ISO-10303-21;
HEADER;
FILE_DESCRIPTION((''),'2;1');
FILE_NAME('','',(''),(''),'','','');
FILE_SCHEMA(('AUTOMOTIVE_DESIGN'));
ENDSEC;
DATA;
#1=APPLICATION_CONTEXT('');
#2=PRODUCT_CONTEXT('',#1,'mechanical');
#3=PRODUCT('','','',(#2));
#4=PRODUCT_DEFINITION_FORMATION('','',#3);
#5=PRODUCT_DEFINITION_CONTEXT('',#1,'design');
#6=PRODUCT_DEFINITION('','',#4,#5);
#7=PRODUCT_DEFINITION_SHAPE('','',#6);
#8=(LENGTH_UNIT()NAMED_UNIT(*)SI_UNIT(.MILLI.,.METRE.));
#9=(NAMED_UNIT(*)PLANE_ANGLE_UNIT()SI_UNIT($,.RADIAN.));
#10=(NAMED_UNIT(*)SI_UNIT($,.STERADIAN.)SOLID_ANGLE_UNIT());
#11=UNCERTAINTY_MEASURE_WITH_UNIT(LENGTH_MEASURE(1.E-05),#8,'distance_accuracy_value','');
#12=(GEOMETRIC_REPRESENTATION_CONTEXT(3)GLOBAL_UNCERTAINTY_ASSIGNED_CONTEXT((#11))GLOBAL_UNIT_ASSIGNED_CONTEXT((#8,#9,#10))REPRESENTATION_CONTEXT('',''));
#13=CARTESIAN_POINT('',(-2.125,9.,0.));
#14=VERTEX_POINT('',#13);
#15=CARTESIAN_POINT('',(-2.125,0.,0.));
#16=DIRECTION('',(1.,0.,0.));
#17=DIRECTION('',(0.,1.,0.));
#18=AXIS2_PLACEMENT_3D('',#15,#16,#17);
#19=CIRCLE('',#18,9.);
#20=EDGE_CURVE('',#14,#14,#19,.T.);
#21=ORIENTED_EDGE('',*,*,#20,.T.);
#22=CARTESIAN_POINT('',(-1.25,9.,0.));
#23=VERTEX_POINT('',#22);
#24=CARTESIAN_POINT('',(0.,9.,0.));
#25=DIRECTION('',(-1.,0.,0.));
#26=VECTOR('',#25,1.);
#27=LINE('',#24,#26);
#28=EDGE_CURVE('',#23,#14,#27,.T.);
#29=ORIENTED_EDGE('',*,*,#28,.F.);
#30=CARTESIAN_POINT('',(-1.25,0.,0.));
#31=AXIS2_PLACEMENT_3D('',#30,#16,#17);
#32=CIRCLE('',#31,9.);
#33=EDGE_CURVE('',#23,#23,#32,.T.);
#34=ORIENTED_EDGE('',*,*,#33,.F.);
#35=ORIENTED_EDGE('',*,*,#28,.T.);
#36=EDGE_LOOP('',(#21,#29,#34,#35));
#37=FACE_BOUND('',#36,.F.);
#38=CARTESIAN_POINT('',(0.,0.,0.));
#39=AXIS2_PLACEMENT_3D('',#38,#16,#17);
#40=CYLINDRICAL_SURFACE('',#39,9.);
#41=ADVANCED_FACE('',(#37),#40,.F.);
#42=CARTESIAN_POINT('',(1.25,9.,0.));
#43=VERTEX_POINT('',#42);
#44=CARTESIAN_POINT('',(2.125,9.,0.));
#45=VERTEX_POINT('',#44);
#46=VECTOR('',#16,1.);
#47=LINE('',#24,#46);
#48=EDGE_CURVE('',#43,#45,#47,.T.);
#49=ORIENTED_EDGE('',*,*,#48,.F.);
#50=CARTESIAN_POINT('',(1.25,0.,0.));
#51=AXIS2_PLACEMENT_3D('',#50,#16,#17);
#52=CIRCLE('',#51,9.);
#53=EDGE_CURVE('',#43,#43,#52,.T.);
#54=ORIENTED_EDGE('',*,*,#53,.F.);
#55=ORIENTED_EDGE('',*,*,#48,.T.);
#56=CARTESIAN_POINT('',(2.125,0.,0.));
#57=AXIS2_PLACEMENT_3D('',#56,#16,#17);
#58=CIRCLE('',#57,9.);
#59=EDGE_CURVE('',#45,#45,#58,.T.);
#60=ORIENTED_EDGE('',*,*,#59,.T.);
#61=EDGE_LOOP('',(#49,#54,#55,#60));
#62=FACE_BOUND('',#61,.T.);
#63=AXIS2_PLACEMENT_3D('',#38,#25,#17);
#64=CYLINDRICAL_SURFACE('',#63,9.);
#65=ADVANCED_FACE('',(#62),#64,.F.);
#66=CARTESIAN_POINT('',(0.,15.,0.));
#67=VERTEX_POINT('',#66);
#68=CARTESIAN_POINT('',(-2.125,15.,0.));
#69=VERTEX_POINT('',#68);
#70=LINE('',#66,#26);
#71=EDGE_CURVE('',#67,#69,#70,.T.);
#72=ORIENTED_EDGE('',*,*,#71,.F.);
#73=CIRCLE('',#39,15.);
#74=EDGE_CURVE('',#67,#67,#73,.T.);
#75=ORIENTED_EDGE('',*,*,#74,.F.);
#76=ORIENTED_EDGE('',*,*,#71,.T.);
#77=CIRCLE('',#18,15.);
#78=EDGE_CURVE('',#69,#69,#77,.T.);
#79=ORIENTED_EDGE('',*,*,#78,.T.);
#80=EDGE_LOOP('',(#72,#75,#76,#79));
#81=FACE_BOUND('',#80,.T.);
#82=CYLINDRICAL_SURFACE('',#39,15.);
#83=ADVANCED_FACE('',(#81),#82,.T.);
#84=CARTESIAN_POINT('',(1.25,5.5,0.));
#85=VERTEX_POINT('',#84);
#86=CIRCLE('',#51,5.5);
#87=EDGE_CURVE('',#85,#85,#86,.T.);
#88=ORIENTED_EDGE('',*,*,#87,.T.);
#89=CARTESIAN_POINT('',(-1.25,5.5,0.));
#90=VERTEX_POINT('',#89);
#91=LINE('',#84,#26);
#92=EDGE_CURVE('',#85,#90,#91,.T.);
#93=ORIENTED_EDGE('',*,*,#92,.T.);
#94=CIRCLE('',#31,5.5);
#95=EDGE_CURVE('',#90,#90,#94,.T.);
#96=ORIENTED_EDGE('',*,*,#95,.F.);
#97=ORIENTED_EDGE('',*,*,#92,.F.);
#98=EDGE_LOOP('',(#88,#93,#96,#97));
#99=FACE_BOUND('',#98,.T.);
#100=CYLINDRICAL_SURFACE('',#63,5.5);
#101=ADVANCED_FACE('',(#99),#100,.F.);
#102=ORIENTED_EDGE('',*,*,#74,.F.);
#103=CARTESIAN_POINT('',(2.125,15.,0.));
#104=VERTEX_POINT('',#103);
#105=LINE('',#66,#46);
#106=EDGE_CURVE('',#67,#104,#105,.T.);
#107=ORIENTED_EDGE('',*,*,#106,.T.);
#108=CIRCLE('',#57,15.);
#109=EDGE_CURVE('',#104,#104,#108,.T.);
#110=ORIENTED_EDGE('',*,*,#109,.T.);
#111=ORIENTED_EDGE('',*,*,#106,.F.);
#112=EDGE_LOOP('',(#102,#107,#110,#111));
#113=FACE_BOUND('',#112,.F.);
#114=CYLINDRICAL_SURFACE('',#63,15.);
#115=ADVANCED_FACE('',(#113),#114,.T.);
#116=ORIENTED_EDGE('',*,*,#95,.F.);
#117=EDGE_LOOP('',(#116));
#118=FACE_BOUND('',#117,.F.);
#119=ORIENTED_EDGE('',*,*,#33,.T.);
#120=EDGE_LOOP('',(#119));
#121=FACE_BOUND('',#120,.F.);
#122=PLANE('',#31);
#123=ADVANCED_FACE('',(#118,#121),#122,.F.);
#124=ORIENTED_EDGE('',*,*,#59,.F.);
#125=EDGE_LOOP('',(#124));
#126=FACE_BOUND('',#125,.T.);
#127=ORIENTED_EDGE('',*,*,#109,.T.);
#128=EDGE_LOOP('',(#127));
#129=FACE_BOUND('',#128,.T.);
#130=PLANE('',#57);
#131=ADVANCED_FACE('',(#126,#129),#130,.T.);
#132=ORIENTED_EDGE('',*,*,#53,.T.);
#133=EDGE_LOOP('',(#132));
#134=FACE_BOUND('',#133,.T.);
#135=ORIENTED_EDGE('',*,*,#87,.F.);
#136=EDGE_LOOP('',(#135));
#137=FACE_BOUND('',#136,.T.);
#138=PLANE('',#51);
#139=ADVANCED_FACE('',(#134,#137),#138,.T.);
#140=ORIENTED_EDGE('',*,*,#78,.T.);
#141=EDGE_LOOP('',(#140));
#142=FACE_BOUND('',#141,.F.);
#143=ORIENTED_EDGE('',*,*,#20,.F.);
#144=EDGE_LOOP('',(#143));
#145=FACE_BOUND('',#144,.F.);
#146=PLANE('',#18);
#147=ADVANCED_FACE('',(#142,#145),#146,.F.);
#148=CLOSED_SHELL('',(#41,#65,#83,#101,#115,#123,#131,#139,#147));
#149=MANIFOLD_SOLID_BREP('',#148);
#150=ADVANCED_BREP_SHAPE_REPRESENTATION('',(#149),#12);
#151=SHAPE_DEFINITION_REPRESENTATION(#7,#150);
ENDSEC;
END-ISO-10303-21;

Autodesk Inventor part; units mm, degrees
ref_plane "YZ Plane" through (0, 0, 0) normal (1, 0, 0) x (0, 1, 0)
ref_plane "XZ Plane" through (0, 0, 0) normal (0, 1, 0) x (-1, 0, 0)
ref_plane "XY Plane" through (0, 0, 0) normal (0, 0, 1) x (1, 0, 0)
sketch "Эскиз1" plane through (0, 0, 0) normal (1, 0, 0) x (0, 1, 0)
  circle A0 centre (0, 0) radius 5.5
  circle A1 centre (0, 0) radius 9
  dimension "d0" = 11
  dimension "d1" = 18
extrude "Выдавливание1" add sketch "Эскиз1" along normal mid plane 2.5
sketch "Эскиз2" plane through (0, 0, 0) normal (1, 0, 0) x (0, 1, 0)
  circle A0 centre (0, 0) radius 9 projected
  circle A1 centre (0, 0) radius 15
  dimension "d4" = 30
extrude "Выдавливание2" add sketch "Эскиз2" along normal mid plane 4.25
properties part number "wheel"
